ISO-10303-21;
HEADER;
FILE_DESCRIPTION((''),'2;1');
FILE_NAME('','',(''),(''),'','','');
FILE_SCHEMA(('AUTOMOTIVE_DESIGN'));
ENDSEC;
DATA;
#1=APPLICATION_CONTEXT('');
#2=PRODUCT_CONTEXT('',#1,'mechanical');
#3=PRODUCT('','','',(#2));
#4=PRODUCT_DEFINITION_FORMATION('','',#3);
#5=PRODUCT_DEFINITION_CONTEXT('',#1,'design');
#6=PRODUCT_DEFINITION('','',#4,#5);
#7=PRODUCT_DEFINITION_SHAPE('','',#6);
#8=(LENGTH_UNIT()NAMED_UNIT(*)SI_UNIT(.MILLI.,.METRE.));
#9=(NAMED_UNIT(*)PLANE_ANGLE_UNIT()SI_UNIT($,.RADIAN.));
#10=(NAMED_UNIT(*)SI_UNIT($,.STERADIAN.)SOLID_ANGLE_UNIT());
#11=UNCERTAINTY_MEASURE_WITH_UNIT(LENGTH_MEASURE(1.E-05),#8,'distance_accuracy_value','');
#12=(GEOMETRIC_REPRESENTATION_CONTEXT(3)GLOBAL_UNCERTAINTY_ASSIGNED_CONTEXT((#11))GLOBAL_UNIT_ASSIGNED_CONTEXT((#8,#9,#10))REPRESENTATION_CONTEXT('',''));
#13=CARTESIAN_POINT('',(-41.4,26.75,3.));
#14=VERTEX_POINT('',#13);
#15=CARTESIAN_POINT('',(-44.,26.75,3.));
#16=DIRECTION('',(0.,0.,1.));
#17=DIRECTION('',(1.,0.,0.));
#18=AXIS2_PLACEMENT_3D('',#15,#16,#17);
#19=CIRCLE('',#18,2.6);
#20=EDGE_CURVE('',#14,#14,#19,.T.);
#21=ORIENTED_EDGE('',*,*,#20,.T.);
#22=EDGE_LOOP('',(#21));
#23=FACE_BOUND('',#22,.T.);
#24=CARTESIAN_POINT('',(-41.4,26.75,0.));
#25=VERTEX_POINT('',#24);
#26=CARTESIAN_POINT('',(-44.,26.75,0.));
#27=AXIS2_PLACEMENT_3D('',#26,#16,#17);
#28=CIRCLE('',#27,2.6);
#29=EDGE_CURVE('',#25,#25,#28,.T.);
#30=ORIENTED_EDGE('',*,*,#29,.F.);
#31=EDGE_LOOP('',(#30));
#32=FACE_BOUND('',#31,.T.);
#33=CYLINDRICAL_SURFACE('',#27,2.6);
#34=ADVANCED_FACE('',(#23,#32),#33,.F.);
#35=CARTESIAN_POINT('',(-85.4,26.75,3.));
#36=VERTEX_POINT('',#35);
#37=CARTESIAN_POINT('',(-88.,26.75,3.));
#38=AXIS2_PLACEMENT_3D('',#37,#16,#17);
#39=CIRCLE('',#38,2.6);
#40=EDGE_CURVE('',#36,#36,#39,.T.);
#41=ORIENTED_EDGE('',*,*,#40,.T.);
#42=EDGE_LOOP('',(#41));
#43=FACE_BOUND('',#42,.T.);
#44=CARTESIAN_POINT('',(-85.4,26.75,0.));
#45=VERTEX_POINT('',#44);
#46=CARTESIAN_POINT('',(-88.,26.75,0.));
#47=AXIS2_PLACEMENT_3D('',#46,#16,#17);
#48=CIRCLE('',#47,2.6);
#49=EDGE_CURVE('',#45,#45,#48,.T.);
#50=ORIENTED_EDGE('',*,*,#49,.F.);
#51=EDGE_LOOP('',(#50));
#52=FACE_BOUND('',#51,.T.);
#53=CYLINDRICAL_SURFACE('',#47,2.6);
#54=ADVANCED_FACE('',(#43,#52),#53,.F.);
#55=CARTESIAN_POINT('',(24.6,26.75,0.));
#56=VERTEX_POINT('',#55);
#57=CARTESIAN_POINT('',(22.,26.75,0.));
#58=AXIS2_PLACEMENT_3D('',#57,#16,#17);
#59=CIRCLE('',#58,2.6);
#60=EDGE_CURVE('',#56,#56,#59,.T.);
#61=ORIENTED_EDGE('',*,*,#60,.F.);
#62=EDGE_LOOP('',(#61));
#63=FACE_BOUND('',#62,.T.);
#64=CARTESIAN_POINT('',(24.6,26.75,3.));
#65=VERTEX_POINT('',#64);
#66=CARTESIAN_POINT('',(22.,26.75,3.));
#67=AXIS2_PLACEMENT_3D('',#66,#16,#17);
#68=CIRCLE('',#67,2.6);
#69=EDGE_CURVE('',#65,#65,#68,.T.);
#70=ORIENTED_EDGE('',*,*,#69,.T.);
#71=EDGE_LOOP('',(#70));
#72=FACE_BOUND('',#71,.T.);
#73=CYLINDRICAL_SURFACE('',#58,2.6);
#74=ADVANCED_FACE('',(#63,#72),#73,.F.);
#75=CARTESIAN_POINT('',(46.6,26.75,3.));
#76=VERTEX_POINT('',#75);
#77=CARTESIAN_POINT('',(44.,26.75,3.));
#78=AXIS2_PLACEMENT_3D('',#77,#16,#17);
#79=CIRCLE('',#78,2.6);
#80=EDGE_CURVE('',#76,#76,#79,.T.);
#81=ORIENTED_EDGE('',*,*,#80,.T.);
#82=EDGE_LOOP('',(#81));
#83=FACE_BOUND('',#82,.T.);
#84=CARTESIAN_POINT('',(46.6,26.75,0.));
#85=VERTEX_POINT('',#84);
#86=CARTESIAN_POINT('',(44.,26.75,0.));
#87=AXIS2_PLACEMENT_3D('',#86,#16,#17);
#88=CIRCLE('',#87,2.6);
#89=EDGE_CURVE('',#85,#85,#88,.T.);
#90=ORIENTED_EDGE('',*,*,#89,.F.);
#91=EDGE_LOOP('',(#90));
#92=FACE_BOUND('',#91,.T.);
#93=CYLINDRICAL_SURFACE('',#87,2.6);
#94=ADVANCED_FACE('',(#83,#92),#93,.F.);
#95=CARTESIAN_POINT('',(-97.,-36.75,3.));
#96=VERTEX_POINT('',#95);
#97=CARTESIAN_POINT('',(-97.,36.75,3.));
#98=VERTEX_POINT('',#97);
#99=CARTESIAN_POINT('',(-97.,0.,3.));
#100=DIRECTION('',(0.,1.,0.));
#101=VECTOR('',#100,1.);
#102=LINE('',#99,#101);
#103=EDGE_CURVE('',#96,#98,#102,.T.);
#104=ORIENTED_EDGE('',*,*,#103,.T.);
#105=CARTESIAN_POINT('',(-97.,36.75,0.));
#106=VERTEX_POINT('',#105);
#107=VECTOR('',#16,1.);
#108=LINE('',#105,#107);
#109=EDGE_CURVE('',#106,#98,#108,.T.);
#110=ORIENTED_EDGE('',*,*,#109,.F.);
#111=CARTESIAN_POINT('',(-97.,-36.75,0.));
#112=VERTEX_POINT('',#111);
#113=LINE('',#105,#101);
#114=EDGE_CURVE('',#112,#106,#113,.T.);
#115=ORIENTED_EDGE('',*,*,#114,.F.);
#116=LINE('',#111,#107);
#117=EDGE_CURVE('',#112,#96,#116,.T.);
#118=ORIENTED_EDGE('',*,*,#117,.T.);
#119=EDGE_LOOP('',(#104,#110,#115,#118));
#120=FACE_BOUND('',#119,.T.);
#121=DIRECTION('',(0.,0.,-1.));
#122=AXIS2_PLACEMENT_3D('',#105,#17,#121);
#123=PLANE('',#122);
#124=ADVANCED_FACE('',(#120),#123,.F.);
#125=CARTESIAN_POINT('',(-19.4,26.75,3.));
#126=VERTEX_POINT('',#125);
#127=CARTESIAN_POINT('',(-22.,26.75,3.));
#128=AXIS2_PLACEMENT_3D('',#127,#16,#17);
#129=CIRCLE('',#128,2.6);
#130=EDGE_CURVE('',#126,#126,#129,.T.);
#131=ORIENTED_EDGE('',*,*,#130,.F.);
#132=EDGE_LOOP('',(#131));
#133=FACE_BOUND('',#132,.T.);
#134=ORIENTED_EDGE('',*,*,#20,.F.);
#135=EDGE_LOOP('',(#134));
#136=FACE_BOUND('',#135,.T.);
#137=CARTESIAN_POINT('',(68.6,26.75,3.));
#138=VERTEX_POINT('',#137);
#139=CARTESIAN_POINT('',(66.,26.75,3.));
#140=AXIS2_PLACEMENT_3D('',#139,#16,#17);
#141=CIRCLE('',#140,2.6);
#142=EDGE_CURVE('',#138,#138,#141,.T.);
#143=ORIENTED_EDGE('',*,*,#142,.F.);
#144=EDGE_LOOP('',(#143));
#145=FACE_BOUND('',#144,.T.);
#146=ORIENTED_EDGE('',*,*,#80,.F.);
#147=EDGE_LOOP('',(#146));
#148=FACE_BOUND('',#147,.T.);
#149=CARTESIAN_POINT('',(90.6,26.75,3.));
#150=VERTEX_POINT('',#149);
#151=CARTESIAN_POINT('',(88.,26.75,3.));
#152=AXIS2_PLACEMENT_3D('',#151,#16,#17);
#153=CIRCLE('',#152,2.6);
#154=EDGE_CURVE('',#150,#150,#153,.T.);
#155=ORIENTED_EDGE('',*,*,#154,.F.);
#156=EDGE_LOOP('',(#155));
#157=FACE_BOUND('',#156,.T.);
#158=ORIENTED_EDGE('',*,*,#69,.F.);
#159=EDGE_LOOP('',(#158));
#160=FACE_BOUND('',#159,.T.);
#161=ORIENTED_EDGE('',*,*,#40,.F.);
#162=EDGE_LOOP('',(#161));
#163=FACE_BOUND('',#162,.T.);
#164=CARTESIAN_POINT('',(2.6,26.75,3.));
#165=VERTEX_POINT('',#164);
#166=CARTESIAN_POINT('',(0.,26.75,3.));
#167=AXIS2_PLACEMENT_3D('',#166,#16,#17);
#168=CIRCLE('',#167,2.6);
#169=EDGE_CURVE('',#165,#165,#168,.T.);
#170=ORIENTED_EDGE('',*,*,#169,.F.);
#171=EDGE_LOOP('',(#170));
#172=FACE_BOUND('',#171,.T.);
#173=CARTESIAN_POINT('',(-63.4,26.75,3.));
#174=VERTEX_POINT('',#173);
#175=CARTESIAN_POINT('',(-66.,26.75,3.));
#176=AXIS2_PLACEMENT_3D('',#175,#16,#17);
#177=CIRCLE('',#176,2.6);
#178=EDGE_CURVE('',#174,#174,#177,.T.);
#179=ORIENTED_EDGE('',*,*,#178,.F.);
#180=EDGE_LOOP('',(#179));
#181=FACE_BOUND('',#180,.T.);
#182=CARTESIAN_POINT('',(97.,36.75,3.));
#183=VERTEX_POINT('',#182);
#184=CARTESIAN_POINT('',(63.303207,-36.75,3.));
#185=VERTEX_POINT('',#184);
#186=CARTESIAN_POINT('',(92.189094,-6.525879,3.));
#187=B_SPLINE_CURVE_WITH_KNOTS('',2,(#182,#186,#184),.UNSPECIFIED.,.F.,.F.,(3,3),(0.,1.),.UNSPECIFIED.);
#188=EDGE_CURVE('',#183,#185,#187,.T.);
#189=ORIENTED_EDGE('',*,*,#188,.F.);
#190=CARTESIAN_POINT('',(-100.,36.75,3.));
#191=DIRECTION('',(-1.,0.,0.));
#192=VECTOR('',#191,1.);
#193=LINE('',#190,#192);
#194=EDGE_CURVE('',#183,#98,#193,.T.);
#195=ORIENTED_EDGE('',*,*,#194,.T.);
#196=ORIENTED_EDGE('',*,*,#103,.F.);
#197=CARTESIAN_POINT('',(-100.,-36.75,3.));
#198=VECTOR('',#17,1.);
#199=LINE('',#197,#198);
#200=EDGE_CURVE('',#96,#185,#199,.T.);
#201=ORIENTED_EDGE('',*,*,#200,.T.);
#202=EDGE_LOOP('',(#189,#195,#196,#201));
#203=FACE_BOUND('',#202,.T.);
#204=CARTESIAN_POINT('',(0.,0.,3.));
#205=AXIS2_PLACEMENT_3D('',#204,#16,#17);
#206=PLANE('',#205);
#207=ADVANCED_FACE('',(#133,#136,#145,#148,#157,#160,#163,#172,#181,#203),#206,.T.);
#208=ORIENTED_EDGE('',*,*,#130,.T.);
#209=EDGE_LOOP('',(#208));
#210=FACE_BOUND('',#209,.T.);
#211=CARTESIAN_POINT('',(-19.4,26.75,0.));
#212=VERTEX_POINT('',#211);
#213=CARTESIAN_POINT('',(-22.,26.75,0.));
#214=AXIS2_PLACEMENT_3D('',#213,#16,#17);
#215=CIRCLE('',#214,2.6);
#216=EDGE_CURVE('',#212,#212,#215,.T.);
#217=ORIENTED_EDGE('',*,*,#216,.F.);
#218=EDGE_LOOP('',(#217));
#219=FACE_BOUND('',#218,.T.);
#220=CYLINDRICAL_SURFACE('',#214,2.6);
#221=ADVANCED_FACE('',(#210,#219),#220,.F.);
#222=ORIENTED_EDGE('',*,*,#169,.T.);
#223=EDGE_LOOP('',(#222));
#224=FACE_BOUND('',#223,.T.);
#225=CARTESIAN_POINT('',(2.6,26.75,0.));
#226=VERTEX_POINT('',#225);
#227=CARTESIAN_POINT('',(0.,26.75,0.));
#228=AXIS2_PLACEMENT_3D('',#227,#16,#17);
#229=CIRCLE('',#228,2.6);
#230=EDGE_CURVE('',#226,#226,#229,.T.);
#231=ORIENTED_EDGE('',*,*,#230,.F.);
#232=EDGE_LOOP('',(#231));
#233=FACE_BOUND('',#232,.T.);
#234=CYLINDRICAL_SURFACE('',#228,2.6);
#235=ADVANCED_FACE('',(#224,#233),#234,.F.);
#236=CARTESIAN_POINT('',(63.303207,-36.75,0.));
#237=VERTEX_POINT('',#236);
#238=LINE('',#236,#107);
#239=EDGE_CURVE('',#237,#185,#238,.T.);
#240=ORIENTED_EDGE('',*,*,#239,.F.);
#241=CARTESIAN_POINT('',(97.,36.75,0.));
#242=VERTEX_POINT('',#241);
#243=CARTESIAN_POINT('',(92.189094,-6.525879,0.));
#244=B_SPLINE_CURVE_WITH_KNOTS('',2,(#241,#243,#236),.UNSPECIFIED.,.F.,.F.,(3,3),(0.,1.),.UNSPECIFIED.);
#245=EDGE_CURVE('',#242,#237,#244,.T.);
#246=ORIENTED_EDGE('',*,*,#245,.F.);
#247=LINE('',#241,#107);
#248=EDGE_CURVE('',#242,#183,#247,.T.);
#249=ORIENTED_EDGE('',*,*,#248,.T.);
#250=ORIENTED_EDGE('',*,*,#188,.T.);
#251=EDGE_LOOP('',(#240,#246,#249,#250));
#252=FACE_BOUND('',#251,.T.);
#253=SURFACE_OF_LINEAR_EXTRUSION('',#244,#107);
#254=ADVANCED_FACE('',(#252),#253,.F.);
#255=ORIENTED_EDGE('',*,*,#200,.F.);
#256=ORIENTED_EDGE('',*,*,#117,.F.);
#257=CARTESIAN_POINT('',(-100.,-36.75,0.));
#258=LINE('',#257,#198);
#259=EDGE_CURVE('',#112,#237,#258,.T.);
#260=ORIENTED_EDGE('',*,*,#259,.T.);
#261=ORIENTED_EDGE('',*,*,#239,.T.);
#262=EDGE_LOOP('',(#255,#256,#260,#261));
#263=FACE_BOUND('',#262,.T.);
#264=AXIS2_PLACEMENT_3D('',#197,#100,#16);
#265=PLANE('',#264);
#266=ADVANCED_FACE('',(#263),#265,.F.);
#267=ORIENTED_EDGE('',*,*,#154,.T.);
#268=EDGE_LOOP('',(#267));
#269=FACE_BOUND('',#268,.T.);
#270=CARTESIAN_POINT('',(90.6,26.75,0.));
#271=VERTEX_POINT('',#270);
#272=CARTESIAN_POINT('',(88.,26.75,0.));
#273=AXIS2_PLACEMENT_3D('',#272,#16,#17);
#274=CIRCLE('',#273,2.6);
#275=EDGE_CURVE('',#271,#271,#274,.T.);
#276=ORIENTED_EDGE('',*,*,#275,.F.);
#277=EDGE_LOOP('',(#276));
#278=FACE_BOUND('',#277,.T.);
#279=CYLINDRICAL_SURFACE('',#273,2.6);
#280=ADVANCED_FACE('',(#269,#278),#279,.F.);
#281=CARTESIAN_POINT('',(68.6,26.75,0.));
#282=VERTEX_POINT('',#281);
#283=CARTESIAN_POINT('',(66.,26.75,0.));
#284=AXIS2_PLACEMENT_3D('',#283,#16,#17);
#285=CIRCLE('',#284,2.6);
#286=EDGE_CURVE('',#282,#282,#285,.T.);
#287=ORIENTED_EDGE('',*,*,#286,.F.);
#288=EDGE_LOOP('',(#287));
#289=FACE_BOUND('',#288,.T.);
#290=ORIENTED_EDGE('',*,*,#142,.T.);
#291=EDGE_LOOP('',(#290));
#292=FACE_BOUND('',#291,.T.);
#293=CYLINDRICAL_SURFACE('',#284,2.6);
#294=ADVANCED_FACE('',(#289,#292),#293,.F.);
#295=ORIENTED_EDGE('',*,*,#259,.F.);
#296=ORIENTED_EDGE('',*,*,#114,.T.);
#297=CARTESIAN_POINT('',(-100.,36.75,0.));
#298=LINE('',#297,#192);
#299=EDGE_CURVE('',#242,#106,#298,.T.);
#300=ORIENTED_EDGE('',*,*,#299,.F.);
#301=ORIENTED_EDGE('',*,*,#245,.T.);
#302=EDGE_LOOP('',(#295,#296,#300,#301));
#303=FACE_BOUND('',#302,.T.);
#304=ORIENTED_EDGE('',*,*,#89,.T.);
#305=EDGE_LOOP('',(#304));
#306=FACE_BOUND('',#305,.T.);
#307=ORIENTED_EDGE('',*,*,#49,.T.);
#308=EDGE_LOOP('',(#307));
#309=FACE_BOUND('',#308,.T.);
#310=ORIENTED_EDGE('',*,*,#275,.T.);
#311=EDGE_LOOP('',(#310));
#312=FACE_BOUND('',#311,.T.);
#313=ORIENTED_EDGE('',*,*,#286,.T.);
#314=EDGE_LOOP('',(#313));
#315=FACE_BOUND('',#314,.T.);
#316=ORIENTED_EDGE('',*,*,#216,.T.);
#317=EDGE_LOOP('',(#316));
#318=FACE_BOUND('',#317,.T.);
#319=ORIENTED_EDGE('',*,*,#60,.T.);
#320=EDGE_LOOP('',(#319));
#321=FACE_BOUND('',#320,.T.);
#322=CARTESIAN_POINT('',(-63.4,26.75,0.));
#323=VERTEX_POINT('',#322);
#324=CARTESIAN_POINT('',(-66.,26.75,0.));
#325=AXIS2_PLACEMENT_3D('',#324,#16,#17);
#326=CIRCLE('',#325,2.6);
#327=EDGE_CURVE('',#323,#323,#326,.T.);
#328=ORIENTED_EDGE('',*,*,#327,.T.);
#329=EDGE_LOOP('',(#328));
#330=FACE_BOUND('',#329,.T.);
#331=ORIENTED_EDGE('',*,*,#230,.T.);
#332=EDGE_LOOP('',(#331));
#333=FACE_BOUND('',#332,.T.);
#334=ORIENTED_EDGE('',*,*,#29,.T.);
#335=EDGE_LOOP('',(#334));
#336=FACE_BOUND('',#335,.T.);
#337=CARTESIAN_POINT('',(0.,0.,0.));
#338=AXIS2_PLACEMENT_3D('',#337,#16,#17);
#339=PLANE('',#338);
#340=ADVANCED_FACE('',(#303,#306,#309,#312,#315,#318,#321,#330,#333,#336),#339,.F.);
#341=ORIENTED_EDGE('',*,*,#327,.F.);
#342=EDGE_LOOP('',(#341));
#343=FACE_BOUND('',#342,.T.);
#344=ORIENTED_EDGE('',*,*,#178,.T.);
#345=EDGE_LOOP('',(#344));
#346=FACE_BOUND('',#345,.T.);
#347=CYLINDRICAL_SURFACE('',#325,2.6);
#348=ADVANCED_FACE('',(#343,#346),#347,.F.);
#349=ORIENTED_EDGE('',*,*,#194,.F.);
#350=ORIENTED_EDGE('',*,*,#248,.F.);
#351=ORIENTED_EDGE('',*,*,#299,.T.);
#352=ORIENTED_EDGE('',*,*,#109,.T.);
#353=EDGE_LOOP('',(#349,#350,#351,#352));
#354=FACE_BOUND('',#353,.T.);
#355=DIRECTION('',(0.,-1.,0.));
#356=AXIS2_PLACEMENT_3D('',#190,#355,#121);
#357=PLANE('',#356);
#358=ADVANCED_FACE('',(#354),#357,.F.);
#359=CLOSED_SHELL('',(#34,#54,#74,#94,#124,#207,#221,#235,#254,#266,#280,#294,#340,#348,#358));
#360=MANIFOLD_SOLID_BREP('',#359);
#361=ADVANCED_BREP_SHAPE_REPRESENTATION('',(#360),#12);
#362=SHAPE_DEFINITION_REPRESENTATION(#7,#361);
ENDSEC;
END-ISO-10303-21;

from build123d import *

# Parameters (mm, degrees)
SKETCH_1_W                 = 200
SKETCH_1_H                 = 73.5
EXTRUDE_1_DEPTH            = 3
SKETCH_2_R                 = 2.6
CUT_EXTRUDE_2_DEPTH        = 107.581248351
PATTERN_LINEAR_1_COUNT     = 5
PATTERN_LINEAR_1_PITCH     = 22
PATTERN_LINEAR_1_COL_COUNT = 5
PATTERN_LINEAR_1_COL_PITCH = 22
CUT_EXTRUDE_3_DEPTH        = 107.581248351
CUT_EXTRUDE_3_DEPTH_BACK   = 107.581248351
SKETCH_3_W                 = 3
SKETCH_3_H                 = 73.5
CUT_EXTRUDE_4_DEPTH        = 104.771684481
CUT_EXTRUDE_4_DEPTH_BACK   = 104.771684481


with BuildPart() as part:
    # 草图1 → 凸台-拉伸1 (new body)
    with BuildSketch(Plane.XY):
        Rectangle(SKETCH_1_W, SKETCH_1_H)
    extrude(amount=EXTRUDE_1_DEPTH)

    # 草图2 → 切除-拉伸2 (cut, symmetric)
    with BuildSketch(Plane.XY.offset(3)):
        with Locations((0, 26.75)):
            Circle(SKETCH_2_R)
    cut_extrude_2 = extrude(amount=CUT_EXTRUDE_2_DEPTH, both=True, mode=Mode.SUBTRACT)

    # 阵列(线性)1: 切除-拉伸2 ×5
    with Locations(*[(i * PATTERN_LINEAR_1_PITCH, 0, 0) for i in range(1, PATTERN_LINEAR_1_COUNT)]):
        add(cut_extrude_2, mode=Mode.SUBTRACT)

    # 阵列(线性)1 col: 切除-拉伸2 ×5
    with Locations(*[(-i * PATTERN_LINEAR_1_COL_PITCH, 0, 0) for i in range(1, PATTERN_LINEAR_1_COL_COUNT)]):
        add(cut_extrude_2, mode=Mode.SUBTRACT)

    # 草图3 → 切除-拉伸3 (cut, two sides: drawn at the far end of the back side and taken through both)
    with BuildSketch(Plane.XY.offset(3).offset(-CUT_EXTRUDE_3_DEPTH_BACK)):
        with Locations((-98.5, 0)):
            Rectangle(SKETCH_3_W, SKETCH_3_H)
        with Locations((98.5, 0)):
            Rectangle(SKETCH_3_W, SKETCH_3_H)
    extrude(amount=CUT_EXTRUDE_3_DEPTH + CUT_EXTRUDE_3_DEPTH_BACK, mode=Mode.SUBTRACT)

    # 草图4 → 切除-拉伸4 (cut, two sides: drawn at the far end of the back side and taken through both)
    with BuildSketch(Plane.XY.offset(3).offset(-CUT_EXTRUDE_4_DEPTH_BACK)):
        with BuildLine():
            Line((63.303207355, -36.75), (97, -36.75))
            Line((97, -36.75), (97, 36.75))
            add(Edge.make_bspline(
                [(63.303207355, -36.75), (92.189094157, -6.525878678), (97, 36.75)],
                knots=[0, 0, 0, 1, 1, 1], degree=2))
        make_face()
    extrude(amount=CUT_EXTRUDE_4_DEPTH + CUT_EXTRUDE_4_DEPTH_BACK, mode=Mode.SUBTRACT)


solid = part.part
